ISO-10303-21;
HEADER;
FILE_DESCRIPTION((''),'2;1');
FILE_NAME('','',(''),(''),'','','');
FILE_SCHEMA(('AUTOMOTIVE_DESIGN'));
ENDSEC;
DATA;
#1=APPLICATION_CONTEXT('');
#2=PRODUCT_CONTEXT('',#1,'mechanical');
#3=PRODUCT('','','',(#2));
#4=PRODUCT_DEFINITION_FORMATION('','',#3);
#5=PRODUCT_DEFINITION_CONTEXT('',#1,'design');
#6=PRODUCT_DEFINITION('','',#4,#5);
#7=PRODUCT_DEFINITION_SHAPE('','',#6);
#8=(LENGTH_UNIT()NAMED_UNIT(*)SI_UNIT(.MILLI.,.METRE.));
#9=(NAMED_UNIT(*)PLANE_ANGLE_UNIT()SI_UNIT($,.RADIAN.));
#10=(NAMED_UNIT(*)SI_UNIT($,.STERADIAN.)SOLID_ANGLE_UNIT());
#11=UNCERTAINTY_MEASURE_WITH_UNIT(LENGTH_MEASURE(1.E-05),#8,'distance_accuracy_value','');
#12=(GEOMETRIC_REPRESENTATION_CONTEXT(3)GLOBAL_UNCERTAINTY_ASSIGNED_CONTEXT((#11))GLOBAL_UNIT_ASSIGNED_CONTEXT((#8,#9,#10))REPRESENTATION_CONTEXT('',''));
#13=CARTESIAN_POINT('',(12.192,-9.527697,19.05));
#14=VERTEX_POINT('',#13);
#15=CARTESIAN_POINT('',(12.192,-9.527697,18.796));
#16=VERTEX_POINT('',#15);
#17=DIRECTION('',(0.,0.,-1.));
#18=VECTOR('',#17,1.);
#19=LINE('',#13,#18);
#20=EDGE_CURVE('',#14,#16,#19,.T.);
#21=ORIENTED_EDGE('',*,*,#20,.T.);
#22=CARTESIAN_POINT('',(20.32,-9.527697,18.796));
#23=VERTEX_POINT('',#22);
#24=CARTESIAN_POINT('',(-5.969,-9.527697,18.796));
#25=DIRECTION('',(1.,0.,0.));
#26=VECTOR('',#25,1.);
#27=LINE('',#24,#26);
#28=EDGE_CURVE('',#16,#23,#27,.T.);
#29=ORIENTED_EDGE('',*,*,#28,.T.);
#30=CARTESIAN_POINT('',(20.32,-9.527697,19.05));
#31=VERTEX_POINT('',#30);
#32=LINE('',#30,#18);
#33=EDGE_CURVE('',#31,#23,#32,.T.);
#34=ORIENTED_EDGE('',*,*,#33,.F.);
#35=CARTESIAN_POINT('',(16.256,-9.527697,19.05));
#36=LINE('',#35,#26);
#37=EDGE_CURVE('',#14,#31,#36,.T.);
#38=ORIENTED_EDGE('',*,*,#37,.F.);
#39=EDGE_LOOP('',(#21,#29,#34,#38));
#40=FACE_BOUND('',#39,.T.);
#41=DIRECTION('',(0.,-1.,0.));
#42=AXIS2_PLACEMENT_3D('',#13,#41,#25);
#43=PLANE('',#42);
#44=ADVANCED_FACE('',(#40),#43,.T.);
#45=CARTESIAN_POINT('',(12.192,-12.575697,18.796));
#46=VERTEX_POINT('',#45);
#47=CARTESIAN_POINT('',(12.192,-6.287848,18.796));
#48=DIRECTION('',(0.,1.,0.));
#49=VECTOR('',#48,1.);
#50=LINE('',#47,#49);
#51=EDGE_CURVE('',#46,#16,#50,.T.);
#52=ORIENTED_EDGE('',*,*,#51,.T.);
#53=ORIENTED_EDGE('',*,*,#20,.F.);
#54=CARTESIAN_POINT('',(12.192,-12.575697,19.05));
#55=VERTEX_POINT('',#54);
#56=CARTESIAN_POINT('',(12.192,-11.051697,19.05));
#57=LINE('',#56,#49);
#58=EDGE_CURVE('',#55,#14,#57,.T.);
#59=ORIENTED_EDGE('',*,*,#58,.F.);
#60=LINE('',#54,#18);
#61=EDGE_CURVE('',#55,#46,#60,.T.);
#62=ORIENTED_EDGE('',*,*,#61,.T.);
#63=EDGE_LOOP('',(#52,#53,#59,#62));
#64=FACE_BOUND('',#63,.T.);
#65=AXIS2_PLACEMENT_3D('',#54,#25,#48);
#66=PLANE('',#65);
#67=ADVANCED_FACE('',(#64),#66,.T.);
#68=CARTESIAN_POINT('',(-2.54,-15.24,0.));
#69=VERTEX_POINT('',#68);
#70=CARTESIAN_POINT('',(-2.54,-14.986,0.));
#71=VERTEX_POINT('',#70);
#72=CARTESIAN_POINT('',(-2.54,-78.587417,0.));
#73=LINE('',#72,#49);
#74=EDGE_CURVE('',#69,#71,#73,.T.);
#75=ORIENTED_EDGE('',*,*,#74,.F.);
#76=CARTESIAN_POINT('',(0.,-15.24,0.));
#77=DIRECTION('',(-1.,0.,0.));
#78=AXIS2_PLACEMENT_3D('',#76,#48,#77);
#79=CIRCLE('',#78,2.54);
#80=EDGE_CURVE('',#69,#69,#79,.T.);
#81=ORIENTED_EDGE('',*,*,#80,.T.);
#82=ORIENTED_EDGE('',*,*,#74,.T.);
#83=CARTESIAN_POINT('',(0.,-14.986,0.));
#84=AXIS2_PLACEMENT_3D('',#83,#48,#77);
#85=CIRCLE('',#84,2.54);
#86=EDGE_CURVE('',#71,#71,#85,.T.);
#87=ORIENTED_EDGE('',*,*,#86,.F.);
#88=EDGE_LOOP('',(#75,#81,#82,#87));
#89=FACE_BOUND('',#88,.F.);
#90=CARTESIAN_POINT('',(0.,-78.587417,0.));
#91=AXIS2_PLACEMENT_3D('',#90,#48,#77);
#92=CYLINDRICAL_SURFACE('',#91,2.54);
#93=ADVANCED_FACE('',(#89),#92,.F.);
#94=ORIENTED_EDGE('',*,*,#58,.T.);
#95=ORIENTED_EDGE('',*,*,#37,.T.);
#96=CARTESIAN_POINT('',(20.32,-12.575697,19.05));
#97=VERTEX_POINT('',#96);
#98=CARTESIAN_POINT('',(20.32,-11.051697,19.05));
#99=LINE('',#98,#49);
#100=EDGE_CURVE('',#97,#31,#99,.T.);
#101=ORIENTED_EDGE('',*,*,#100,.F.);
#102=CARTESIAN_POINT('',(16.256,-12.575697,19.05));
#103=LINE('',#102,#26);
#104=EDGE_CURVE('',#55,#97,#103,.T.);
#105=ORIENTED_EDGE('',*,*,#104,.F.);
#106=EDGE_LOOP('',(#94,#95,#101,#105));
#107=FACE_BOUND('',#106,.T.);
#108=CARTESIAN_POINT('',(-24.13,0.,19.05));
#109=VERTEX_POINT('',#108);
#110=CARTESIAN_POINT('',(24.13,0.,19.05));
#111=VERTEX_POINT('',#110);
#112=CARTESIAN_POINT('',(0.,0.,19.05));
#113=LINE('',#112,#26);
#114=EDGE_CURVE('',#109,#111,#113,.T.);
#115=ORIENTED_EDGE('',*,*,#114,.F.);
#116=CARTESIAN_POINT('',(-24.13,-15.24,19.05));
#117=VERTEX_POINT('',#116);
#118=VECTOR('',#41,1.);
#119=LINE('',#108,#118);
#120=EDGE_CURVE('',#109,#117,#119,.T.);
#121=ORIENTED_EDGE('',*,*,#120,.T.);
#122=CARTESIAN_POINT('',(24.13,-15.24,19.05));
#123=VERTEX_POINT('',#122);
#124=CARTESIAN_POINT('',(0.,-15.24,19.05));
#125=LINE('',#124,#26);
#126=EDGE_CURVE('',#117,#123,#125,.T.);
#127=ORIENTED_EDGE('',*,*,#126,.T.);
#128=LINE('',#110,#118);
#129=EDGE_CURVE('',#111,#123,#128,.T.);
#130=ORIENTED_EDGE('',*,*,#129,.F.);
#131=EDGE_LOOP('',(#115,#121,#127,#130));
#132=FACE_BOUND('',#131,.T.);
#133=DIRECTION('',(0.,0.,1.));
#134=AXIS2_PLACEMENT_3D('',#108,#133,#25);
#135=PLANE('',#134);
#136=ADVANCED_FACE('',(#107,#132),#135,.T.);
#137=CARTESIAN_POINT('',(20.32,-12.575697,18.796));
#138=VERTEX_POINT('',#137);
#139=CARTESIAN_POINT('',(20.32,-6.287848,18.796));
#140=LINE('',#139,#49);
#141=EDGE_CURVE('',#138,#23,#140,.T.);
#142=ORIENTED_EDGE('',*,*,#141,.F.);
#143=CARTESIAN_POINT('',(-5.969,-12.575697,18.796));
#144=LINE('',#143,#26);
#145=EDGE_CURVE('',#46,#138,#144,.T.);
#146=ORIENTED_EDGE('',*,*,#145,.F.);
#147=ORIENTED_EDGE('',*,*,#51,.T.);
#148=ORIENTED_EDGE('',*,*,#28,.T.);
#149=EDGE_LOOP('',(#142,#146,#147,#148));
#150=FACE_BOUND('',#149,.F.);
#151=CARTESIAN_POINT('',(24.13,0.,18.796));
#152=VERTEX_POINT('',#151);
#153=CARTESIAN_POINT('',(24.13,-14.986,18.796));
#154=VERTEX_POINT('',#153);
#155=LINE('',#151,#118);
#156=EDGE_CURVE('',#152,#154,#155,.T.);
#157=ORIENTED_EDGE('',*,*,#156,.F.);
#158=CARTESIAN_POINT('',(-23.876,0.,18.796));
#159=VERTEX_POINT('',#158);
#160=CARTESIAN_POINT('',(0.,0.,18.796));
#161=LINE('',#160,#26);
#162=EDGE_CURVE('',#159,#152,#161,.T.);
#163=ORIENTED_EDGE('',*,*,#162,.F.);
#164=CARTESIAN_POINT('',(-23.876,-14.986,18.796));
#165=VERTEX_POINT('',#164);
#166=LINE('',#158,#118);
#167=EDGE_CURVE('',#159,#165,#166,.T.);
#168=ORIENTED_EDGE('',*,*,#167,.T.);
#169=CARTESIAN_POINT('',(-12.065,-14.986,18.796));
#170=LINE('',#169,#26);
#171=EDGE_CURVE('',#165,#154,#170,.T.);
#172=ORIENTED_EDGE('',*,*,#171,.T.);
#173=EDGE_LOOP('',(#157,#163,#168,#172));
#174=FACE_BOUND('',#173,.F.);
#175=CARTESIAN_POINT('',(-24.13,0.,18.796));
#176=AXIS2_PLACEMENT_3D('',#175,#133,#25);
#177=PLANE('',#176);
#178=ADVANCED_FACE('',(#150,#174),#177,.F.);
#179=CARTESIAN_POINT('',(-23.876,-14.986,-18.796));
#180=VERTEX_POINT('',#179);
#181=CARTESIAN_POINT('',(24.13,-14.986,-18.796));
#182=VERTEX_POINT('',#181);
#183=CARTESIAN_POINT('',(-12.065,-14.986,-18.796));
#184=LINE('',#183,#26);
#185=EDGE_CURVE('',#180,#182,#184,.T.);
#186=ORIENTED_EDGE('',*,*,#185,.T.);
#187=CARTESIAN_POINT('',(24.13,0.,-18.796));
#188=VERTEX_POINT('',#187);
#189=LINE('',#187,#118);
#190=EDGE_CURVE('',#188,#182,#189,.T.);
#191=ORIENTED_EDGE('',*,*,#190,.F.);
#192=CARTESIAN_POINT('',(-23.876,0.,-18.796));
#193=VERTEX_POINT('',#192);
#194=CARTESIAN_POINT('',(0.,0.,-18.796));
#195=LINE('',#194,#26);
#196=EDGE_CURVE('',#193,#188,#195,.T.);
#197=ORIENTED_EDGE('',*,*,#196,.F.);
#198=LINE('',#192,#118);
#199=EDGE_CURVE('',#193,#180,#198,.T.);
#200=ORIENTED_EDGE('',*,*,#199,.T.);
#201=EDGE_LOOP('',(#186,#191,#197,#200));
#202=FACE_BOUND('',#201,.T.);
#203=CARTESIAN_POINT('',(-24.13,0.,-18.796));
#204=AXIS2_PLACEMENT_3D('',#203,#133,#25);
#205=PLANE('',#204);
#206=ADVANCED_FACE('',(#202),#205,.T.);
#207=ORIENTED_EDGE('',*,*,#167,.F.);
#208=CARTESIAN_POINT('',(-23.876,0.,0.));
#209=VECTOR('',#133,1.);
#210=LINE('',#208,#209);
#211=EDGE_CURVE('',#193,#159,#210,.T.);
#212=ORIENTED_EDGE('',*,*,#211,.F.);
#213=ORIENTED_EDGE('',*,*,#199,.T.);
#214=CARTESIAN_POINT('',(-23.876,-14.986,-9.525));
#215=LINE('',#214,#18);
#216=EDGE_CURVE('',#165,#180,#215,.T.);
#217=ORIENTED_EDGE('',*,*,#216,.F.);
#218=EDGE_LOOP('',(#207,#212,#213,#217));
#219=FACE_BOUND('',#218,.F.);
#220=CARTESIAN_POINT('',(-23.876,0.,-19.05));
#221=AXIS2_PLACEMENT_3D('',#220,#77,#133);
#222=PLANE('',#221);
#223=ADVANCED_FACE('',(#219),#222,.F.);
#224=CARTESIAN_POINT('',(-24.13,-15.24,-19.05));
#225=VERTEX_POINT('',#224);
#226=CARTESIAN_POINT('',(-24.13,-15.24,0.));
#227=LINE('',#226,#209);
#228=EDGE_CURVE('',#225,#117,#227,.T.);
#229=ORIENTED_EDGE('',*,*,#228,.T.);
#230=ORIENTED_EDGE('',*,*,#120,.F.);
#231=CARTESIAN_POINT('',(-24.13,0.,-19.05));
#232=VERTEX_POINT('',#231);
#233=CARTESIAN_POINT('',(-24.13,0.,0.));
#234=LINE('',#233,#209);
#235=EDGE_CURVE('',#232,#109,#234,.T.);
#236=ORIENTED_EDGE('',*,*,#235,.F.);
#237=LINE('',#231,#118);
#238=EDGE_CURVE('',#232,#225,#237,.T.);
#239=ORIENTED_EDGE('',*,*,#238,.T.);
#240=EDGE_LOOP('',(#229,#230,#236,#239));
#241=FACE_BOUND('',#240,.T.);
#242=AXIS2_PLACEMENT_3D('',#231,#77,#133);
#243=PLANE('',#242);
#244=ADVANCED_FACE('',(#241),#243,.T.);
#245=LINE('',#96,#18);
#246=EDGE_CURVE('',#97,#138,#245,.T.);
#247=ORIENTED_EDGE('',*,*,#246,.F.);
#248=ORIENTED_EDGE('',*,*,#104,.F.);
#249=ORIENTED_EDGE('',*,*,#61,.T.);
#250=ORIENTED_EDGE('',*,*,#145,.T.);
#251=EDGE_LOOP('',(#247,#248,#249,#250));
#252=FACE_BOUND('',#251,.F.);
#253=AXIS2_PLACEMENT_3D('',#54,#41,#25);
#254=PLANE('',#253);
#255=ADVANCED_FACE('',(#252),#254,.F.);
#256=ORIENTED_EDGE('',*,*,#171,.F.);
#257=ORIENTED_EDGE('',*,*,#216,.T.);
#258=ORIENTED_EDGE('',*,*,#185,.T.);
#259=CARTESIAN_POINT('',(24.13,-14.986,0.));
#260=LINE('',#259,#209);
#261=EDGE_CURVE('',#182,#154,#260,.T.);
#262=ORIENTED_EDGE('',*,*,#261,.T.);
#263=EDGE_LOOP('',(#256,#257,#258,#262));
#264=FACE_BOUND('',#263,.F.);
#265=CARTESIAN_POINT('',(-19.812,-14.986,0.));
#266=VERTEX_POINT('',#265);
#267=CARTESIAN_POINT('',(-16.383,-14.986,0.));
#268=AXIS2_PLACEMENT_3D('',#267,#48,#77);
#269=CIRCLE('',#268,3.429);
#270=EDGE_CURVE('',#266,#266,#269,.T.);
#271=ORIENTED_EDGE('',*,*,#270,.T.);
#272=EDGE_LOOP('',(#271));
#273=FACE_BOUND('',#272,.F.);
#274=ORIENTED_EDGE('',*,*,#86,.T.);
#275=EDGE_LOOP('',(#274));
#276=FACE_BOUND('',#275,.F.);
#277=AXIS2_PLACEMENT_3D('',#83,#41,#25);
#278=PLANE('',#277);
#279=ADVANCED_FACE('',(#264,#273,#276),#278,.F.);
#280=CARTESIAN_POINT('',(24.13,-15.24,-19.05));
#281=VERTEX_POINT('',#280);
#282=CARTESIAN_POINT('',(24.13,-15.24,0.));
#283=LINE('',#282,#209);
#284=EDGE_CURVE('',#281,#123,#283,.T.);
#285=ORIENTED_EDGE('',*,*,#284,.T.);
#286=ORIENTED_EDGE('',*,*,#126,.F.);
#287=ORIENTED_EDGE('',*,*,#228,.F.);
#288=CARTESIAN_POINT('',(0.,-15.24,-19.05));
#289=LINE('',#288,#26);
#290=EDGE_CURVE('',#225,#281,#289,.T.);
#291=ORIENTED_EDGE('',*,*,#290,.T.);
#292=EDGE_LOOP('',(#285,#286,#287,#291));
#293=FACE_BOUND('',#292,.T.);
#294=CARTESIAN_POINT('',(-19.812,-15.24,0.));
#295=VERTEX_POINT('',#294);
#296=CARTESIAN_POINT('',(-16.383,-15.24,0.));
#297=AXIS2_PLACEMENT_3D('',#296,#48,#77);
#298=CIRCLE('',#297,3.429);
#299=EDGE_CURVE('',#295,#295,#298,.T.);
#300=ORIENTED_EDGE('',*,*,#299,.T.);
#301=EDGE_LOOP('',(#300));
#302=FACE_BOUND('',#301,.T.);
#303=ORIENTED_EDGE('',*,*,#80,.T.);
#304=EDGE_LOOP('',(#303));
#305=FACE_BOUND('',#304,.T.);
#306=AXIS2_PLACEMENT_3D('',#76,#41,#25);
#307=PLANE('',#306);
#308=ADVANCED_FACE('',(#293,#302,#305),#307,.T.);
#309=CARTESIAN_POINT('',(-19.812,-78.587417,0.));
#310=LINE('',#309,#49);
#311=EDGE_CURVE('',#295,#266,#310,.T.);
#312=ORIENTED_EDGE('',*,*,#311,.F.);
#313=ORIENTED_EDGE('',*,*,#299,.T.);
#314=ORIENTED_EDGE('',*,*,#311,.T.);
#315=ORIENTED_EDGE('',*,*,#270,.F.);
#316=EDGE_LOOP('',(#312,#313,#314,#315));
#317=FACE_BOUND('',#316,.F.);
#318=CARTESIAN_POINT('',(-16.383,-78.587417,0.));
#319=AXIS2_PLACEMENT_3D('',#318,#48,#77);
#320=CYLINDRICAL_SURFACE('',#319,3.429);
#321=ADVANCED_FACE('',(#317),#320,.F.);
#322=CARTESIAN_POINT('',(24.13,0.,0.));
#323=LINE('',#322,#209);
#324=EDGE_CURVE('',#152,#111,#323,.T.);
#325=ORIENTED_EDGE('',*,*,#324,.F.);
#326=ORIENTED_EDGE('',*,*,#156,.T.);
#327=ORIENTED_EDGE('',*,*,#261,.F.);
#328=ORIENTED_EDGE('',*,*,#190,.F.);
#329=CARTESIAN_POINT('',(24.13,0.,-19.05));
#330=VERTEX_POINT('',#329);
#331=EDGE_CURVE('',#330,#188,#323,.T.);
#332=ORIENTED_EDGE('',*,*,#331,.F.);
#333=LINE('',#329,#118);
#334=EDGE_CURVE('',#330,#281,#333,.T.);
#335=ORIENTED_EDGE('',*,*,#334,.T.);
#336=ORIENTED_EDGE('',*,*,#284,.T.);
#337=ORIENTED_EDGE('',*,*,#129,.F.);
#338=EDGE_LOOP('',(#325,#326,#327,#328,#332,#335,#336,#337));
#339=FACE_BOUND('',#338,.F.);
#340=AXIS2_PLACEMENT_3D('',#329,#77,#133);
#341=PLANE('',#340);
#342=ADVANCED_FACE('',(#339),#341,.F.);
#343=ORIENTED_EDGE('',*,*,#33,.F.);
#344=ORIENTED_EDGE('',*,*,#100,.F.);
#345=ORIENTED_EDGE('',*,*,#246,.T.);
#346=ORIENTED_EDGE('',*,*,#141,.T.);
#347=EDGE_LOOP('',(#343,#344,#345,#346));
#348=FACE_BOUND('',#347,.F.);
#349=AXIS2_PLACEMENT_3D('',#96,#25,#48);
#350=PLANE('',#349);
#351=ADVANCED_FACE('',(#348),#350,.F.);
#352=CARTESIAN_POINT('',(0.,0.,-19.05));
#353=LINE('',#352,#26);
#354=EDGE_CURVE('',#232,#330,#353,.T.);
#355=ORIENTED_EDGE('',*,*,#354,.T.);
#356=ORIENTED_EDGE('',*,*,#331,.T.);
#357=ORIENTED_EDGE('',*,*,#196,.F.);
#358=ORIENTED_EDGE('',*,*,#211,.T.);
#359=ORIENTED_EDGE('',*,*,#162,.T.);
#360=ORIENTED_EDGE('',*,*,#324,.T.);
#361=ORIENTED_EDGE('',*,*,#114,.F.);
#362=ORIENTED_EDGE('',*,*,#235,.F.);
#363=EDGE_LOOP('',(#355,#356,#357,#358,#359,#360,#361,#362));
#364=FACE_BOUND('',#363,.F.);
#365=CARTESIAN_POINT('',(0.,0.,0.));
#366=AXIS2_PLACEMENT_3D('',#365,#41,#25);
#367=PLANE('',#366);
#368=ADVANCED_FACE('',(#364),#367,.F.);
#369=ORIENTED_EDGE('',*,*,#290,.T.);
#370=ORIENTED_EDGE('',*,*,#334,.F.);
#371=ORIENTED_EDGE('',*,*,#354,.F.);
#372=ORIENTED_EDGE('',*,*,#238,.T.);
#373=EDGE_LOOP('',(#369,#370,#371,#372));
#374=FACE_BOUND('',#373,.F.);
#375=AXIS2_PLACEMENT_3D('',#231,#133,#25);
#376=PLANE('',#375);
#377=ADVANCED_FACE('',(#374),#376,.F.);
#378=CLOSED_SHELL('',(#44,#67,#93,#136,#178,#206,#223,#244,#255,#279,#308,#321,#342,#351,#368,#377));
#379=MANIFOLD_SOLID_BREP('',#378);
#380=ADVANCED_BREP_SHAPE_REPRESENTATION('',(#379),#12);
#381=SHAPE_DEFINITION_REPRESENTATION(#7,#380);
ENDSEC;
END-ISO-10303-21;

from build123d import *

# Parameters (mm, degrees)
F0_W     = 48.26
F0_H     = 38.1
F1_DEPTH = 15.24
F3_T     = -0.254
F4_D     = 6.858
F6_D     = 5.08
F7_W     = 8.128
F7_H     = 3.048
F8_DEPTH = 25.4


with BuildPart() as f1:
    # F0 (on Front) → F1 (new body)
    with BuildSketch(Plane.XZ):
        Rectangle(F0_W, F0_H)
    extrude(amount=F1_DEPTH)

    # F3
    f3_openings = [f1.faces().sort_by_distance(p)[0] for p in [
        (0, 0, 0),
        (24.13, -7.62, 0),
    ]]
    offset(amount=F3_T, openings=f3_openings)

    # F4 (through all)
    with Locations(Plane.XZ.offset(15.24)):
        with Locations((-16.383, 0)):
            Hole(F4_D / 2)

    # F6 (through all)
    with Locations(Plane.XZ.offset(15.24)):
        with Locations((0, 0)):
            Hole(F6_D / 2)

    # F7 (on face) → F8 (cut)
    with BuildSketch(Plane.XY.offset(19.05)):
        with Locations((16.256, -11.051697)):
            Rectangle(F7_W, F7_H)
    extrude(amount=-F8_DEPTH, mode=Mode.SUBTRACT)


solid = f1.part
